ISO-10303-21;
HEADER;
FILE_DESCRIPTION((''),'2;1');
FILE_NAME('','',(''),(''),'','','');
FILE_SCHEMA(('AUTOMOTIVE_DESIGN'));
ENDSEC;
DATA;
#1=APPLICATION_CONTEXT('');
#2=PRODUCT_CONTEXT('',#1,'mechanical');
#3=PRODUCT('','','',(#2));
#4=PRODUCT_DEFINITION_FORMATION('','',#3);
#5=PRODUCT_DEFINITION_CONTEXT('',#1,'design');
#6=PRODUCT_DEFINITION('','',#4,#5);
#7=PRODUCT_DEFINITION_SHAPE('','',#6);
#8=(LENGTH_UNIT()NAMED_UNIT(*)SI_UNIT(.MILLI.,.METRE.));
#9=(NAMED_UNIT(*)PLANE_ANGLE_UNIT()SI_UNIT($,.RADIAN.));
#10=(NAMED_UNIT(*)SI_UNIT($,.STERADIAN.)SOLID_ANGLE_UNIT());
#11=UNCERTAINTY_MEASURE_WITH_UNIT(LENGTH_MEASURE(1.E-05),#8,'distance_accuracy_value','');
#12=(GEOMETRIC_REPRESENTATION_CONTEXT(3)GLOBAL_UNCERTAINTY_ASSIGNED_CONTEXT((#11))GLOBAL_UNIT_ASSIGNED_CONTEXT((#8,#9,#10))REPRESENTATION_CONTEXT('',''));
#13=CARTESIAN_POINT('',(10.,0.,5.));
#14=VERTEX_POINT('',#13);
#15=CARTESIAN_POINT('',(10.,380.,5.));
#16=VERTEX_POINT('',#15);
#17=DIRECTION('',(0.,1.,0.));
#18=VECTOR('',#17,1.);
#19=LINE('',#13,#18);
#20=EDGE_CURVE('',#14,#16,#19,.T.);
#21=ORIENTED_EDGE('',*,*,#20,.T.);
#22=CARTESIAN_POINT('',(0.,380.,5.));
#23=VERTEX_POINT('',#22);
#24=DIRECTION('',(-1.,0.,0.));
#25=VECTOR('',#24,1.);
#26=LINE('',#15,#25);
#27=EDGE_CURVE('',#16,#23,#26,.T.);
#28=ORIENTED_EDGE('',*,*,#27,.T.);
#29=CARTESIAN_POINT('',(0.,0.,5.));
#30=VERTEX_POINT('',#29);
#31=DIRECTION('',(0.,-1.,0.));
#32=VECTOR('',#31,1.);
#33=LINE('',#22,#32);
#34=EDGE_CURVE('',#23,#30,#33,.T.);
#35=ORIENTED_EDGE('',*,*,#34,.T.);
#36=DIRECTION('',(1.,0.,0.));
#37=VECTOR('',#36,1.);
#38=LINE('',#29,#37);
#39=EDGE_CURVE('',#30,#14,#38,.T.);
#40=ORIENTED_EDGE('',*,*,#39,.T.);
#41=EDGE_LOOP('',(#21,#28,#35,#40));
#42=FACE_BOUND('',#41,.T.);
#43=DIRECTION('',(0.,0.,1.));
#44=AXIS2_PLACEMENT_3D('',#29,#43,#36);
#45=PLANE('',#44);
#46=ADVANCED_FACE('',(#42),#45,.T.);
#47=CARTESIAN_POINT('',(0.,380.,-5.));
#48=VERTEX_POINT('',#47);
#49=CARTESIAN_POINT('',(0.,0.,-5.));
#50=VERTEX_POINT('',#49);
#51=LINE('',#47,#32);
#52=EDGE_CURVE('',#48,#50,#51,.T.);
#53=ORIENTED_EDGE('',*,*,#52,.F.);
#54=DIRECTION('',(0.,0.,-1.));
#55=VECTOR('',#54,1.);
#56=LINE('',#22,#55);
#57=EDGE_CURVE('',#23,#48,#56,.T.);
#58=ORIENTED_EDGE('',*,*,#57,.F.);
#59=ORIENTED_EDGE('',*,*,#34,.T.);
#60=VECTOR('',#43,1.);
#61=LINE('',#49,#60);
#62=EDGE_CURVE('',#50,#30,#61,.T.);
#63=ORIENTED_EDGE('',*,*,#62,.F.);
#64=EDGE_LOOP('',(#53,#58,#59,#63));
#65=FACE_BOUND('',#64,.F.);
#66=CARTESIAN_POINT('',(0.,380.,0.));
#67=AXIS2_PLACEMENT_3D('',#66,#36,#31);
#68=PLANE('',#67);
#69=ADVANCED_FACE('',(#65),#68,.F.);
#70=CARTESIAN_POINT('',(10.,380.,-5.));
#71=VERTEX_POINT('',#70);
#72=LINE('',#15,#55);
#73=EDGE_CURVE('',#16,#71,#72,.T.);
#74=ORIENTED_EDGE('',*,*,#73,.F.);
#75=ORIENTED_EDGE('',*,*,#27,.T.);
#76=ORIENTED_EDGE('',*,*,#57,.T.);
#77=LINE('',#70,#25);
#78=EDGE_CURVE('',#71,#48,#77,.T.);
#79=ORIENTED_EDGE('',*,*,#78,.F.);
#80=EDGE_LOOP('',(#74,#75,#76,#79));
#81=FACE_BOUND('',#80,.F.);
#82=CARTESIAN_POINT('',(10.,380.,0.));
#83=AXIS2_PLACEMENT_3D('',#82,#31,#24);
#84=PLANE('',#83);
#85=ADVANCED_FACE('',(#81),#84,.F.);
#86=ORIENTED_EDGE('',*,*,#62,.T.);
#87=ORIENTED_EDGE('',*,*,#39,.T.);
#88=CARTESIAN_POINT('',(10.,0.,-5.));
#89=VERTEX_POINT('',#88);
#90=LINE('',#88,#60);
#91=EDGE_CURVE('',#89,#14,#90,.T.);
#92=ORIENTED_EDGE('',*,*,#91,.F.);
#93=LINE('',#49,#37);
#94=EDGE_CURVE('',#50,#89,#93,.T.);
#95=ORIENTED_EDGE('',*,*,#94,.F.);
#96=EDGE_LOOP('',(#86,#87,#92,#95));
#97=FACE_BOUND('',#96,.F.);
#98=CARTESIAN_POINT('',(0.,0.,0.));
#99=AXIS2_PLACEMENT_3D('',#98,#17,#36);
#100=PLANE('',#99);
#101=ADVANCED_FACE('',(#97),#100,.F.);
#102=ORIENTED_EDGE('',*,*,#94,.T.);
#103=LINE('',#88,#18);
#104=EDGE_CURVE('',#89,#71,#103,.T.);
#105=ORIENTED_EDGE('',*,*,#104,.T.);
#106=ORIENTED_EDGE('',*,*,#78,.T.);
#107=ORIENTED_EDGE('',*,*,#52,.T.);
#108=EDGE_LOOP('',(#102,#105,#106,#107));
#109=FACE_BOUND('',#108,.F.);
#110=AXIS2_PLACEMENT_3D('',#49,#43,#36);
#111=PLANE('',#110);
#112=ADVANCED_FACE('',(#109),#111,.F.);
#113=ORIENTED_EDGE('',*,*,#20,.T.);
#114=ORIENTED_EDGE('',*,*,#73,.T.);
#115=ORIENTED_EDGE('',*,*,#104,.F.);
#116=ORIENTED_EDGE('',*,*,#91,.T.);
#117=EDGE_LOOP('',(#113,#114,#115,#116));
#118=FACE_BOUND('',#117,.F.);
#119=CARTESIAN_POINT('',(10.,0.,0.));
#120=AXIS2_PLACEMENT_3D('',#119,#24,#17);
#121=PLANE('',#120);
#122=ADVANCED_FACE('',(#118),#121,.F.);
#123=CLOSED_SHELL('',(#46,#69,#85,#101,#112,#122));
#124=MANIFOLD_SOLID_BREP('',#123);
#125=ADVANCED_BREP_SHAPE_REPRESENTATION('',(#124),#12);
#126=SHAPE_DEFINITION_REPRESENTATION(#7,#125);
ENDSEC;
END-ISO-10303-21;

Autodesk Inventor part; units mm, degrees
ref_plane "YZ Plane" through (0, 0, 0) normal (1, 0, 0) x (0, 1, 0)
ref_plane "XZ Plane" through (0, 0, 0) normal (0, 1, 0) x (-1, 0, 0)
ref_plane "XY Plane" through (0, 0, 0) normal (0, 0, 1) x (1, 0, 0)
sketch "Sketch1" plane through (0, 0, 0) normal (0, 0, 1) x (1, 0, 0)
  line L0 (0, 0) -> (10, 0)
  line L1 (10, 0) -> (10, 380)
  line L2 (10, 380) -> (0, 380)
  line L3 (0, 380) -> (0, 0)
  dimension "d0" = 380
  dimension "d1" = 10
extrude "Extrusion1" add sketch "Sketch1" along normal mid plane 10
properties part number "Steel support 3" material "Steel"
